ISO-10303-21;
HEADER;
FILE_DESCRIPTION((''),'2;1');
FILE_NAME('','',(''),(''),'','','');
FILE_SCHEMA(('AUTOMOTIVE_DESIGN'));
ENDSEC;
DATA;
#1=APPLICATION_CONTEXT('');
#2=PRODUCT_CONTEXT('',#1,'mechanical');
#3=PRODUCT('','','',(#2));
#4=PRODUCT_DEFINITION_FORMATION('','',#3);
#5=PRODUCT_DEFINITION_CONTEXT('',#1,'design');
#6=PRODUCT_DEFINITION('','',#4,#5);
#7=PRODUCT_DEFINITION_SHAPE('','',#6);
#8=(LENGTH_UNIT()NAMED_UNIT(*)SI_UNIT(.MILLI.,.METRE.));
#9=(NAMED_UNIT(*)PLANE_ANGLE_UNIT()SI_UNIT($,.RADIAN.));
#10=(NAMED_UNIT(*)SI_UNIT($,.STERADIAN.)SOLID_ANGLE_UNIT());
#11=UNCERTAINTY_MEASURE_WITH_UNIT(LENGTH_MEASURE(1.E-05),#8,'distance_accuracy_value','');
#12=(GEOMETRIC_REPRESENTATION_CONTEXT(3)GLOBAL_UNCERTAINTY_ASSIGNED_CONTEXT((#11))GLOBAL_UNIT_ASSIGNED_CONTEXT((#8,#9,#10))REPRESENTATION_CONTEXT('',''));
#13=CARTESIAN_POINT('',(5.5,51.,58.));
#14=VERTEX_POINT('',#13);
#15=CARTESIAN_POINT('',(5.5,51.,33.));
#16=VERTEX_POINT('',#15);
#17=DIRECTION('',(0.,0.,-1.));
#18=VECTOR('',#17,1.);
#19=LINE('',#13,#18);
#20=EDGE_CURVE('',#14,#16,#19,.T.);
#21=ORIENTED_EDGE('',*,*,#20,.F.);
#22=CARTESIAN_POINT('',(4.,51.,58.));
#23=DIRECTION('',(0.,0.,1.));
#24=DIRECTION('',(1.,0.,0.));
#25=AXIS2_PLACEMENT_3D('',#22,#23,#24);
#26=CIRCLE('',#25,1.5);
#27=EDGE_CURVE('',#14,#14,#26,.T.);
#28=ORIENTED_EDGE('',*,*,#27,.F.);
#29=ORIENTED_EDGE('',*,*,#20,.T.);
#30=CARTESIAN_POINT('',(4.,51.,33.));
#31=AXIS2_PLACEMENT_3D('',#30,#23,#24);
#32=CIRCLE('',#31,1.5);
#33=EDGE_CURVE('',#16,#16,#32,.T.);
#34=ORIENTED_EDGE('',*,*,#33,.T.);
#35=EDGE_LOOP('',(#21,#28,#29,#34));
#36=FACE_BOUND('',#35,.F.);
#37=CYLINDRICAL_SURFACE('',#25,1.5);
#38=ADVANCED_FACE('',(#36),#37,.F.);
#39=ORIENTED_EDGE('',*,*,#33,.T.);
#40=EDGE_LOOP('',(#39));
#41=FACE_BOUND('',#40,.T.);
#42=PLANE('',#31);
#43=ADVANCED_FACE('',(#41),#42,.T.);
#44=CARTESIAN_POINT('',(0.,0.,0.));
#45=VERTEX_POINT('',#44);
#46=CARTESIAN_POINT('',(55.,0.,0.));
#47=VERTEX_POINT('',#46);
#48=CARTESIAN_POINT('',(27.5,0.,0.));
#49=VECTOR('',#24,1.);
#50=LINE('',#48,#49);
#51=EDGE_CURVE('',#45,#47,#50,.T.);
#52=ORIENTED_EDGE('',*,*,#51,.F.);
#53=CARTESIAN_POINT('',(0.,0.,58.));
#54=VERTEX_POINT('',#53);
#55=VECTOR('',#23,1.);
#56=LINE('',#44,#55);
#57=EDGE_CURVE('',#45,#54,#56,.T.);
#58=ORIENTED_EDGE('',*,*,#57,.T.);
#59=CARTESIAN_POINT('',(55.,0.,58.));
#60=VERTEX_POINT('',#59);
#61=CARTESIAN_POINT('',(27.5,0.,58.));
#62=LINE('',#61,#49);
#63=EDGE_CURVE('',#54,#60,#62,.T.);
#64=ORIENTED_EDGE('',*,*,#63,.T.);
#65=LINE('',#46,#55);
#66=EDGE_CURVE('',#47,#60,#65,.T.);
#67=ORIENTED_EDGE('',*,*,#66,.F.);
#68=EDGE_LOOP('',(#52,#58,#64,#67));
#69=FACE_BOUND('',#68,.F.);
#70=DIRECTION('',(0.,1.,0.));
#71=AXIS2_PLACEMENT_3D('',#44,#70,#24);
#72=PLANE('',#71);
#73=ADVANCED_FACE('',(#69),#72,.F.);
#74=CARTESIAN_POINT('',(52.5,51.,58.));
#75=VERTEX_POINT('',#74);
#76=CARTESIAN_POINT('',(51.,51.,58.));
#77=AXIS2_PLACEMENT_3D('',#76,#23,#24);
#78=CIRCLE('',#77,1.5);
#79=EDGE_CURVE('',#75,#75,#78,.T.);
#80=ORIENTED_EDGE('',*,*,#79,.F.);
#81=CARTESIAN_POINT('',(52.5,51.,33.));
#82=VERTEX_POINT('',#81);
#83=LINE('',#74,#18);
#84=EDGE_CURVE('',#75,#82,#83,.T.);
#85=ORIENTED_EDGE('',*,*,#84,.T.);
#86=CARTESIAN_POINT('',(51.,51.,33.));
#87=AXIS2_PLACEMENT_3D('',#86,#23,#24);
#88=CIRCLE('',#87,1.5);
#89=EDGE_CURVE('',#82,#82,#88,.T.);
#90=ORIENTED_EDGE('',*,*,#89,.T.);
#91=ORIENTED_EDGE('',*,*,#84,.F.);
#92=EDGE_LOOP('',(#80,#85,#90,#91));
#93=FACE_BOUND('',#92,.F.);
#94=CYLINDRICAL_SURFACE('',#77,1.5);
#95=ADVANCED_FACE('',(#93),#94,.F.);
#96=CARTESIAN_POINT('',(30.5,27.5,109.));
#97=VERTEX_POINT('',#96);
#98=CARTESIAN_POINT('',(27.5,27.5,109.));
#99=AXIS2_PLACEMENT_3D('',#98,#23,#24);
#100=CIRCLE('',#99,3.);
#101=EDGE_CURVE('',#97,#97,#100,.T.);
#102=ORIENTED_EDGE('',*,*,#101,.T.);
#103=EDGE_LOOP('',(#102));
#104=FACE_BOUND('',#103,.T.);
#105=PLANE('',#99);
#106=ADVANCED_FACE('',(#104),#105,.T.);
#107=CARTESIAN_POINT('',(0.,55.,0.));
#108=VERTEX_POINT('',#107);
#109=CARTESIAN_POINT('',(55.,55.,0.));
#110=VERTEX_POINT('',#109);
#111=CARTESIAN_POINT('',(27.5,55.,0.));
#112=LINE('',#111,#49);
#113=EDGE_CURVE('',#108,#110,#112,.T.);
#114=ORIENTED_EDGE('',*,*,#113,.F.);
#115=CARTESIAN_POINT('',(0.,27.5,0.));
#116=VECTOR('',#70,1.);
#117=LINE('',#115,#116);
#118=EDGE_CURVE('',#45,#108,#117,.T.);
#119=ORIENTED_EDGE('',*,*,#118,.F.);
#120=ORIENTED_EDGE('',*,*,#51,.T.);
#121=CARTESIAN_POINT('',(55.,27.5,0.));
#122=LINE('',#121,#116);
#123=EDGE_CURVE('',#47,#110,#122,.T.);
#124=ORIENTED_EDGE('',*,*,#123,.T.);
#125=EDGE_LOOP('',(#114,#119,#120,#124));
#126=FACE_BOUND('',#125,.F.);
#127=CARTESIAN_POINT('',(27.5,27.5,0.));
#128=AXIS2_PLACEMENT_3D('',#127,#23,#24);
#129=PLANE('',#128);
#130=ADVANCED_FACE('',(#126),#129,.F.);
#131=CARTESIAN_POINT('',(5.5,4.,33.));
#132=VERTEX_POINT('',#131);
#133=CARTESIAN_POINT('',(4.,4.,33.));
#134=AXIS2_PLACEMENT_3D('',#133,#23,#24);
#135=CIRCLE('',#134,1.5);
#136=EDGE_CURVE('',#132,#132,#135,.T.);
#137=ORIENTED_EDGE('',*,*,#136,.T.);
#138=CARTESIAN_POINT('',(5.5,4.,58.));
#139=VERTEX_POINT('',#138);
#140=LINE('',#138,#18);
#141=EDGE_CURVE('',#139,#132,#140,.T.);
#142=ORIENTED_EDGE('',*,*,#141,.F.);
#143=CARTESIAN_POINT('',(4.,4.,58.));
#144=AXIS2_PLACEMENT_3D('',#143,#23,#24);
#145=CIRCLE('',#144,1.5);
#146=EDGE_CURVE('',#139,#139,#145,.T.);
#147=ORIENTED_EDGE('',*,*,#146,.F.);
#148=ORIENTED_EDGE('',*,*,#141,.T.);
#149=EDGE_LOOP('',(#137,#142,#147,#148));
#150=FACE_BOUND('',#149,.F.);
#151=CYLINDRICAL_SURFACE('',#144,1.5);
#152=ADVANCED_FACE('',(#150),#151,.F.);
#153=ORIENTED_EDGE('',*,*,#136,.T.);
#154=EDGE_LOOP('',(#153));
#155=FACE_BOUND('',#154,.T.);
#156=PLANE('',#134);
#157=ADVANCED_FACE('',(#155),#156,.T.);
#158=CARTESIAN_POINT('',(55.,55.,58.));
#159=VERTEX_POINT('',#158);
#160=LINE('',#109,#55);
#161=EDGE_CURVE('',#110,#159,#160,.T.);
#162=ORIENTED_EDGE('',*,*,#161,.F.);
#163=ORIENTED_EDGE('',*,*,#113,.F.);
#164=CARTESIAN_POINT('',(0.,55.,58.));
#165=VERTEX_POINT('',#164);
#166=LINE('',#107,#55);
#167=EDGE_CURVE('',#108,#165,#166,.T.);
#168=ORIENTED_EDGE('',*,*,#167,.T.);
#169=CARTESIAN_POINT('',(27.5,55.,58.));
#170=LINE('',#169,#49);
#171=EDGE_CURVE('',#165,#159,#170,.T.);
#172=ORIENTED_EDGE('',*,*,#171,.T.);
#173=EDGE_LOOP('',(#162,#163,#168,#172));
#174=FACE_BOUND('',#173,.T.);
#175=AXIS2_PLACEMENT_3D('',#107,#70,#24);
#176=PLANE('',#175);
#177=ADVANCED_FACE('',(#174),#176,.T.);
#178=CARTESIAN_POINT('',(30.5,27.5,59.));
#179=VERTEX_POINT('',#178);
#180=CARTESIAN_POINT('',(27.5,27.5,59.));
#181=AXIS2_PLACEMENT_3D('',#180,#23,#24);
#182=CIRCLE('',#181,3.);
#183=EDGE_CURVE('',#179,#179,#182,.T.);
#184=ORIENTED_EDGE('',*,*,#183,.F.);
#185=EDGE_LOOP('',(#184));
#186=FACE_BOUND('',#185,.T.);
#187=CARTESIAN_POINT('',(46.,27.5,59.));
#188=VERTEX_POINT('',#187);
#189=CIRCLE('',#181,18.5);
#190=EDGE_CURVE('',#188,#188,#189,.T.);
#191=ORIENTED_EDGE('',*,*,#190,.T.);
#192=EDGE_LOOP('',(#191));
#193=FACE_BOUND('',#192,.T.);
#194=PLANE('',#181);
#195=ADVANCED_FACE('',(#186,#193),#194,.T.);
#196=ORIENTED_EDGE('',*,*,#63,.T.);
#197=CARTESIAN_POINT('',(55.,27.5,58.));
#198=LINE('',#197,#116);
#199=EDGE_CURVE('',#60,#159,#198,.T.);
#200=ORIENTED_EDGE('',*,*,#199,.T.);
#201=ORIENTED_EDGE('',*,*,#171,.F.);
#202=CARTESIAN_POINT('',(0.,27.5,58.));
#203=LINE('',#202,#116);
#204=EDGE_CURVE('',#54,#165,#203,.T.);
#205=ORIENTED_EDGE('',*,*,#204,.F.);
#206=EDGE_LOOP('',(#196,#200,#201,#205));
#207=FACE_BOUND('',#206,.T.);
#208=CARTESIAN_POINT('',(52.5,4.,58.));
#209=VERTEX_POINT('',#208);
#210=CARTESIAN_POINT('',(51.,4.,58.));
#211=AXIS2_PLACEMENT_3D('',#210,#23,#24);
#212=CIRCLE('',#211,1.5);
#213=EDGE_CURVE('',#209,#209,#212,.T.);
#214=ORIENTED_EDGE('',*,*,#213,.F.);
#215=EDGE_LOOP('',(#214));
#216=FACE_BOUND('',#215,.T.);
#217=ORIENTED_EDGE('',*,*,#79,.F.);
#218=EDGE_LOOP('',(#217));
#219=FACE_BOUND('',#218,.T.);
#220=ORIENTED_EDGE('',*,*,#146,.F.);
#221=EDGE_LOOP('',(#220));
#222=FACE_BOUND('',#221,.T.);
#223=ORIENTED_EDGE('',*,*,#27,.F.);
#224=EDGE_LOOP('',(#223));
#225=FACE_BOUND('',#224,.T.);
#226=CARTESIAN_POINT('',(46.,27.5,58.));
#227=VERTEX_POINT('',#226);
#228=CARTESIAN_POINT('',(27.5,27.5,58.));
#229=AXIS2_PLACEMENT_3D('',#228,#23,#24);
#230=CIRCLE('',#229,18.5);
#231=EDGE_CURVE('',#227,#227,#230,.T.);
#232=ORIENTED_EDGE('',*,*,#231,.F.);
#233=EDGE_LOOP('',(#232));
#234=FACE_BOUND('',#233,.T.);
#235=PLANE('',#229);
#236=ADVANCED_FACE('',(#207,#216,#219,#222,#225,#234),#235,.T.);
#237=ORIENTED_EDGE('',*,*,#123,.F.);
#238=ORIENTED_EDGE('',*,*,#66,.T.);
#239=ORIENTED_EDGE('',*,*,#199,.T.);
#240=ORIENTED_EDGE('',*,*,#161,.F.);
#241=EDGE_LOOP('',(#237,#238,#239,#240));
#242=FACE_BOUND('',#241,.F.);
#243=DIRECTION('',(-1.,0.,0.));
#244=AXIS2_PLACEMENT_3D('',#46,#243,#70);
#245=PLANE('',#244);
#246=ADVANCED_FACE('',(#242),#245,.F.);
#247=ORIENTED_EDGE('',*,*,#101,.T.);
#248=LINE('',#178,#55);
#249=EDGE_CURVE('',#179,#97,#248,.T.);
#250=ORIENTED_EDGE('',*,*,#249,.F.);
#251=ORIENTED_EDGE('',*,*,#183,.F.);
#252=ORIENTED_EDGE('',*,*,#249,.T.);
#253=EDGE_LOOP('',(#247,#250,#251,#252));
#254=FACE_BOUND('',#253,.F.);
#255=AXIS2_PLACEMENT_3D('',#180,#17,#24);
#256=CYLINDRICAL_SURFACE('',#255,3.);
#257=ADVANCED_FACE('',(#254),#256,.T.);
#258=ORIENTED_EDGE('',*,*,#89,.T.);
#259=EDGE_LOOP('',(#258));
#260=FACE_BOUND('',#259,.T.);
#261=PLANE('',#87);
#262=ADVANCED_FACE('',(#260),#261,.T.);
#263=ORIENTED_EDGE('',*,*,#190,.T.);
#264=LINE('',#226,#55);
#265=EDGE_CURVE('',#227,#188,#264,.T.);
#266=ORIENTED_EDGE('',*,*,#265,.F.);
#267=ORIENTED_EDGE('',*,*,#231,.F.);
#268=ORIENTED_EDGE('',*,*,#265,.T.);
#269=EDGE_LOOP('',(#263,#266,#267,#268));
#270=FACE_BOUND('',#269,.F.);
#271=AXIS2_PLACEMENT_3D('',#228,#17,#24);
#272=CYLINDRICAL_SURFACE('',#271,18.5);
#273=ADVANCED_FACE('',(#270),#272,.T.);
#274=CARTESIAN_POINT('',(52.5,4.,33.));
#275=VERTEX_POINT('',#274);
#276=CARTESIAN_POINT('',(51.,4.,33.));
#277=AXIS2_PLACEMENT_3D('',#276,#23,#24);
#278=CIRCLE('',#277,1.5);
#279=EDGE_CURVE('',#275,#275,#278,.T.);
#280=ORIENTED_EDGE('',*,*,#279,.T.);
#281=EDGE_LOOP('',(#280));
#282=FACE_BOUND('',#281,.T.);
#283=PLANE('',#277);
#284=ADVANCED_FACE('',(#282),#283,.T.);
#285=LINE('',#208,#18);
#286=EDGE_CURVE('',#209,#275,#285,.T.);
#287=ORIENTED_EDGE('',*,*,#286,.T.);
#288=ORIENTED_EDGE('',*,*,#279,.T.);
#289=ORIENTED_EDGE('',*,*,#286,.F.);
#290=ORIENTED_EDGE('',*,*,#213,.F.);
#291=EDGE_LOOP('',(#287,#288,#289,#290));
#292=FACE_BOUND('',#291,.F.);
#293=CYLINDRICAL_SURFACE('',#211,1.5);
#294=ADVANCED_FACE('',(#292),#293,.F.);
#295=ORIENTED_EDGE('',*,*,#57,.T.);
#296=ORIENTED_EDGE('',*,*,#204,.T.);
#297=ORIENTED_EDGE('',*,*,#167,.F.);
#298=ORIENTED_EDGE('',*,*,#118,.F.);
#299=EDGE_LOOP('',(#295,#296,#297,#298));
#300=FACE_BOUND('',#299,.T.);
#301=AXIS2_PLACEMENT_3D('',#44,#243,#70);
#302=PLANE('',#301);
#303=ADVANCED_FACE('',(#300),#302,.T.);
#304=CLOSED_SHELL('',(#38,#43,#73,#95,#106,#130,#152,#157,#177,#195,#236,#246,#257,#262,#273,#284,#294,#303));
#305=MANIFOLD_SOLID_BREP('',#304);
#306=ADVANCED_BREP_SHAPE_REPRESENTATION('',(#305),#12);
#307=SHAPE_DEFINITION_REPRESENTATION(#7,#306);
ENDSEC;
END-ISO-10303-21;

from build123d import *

# Parameters (mm, degrees)
F0_W     = 55
F0_H     = 55
F1_DEPTH = 58
F2_R     = 18.5
F3_DEPTH = 1
F4_R     = 3
F5_DEPTH = 50
F6_R     = 1.5
F7_DEPTH = 25


with BuildPart() as f1:
    # F0 (on Top) → F1 (new body)
    with BuildSketch(Plane.XY):
        with Locations((27.5, 27.5)):
            Rectangle(F0_W, F0_H)
    extrude(amount=F1_DEPTH)

    # F2 (on face) → F3 (join)
    with BuildSketch(Plane.XY.offset(58)):
        with Locations((27.5, 27.5)):
            Circle(F2_R)
    extrude(amount=F3_DEPTH)

    # F4 (on face) → F5 (join)
    with BuildSketch(Plane.XY.offset(59)):
        with Locations((27.5, 27.5)):
            Circle(F4_R)
    extrude(amount=F5_DEPTH)

    # F6 (on face) → F7 (cut)
    with BuildSketch(Plane.XY.offset(58)):
        with Locations((4, 51)):
            Circle(F6_R)
        with Locations((4, 4)):
            Circle(F6_R)
        with Locations((51, 4)):
            Circle(F6_R)
        with Locations((51, 51)):
            Circle(F6_R)
    extrude(amount=-F7_DEPTH, mode=Mode.SUBTRACT)


solid = f1.part
